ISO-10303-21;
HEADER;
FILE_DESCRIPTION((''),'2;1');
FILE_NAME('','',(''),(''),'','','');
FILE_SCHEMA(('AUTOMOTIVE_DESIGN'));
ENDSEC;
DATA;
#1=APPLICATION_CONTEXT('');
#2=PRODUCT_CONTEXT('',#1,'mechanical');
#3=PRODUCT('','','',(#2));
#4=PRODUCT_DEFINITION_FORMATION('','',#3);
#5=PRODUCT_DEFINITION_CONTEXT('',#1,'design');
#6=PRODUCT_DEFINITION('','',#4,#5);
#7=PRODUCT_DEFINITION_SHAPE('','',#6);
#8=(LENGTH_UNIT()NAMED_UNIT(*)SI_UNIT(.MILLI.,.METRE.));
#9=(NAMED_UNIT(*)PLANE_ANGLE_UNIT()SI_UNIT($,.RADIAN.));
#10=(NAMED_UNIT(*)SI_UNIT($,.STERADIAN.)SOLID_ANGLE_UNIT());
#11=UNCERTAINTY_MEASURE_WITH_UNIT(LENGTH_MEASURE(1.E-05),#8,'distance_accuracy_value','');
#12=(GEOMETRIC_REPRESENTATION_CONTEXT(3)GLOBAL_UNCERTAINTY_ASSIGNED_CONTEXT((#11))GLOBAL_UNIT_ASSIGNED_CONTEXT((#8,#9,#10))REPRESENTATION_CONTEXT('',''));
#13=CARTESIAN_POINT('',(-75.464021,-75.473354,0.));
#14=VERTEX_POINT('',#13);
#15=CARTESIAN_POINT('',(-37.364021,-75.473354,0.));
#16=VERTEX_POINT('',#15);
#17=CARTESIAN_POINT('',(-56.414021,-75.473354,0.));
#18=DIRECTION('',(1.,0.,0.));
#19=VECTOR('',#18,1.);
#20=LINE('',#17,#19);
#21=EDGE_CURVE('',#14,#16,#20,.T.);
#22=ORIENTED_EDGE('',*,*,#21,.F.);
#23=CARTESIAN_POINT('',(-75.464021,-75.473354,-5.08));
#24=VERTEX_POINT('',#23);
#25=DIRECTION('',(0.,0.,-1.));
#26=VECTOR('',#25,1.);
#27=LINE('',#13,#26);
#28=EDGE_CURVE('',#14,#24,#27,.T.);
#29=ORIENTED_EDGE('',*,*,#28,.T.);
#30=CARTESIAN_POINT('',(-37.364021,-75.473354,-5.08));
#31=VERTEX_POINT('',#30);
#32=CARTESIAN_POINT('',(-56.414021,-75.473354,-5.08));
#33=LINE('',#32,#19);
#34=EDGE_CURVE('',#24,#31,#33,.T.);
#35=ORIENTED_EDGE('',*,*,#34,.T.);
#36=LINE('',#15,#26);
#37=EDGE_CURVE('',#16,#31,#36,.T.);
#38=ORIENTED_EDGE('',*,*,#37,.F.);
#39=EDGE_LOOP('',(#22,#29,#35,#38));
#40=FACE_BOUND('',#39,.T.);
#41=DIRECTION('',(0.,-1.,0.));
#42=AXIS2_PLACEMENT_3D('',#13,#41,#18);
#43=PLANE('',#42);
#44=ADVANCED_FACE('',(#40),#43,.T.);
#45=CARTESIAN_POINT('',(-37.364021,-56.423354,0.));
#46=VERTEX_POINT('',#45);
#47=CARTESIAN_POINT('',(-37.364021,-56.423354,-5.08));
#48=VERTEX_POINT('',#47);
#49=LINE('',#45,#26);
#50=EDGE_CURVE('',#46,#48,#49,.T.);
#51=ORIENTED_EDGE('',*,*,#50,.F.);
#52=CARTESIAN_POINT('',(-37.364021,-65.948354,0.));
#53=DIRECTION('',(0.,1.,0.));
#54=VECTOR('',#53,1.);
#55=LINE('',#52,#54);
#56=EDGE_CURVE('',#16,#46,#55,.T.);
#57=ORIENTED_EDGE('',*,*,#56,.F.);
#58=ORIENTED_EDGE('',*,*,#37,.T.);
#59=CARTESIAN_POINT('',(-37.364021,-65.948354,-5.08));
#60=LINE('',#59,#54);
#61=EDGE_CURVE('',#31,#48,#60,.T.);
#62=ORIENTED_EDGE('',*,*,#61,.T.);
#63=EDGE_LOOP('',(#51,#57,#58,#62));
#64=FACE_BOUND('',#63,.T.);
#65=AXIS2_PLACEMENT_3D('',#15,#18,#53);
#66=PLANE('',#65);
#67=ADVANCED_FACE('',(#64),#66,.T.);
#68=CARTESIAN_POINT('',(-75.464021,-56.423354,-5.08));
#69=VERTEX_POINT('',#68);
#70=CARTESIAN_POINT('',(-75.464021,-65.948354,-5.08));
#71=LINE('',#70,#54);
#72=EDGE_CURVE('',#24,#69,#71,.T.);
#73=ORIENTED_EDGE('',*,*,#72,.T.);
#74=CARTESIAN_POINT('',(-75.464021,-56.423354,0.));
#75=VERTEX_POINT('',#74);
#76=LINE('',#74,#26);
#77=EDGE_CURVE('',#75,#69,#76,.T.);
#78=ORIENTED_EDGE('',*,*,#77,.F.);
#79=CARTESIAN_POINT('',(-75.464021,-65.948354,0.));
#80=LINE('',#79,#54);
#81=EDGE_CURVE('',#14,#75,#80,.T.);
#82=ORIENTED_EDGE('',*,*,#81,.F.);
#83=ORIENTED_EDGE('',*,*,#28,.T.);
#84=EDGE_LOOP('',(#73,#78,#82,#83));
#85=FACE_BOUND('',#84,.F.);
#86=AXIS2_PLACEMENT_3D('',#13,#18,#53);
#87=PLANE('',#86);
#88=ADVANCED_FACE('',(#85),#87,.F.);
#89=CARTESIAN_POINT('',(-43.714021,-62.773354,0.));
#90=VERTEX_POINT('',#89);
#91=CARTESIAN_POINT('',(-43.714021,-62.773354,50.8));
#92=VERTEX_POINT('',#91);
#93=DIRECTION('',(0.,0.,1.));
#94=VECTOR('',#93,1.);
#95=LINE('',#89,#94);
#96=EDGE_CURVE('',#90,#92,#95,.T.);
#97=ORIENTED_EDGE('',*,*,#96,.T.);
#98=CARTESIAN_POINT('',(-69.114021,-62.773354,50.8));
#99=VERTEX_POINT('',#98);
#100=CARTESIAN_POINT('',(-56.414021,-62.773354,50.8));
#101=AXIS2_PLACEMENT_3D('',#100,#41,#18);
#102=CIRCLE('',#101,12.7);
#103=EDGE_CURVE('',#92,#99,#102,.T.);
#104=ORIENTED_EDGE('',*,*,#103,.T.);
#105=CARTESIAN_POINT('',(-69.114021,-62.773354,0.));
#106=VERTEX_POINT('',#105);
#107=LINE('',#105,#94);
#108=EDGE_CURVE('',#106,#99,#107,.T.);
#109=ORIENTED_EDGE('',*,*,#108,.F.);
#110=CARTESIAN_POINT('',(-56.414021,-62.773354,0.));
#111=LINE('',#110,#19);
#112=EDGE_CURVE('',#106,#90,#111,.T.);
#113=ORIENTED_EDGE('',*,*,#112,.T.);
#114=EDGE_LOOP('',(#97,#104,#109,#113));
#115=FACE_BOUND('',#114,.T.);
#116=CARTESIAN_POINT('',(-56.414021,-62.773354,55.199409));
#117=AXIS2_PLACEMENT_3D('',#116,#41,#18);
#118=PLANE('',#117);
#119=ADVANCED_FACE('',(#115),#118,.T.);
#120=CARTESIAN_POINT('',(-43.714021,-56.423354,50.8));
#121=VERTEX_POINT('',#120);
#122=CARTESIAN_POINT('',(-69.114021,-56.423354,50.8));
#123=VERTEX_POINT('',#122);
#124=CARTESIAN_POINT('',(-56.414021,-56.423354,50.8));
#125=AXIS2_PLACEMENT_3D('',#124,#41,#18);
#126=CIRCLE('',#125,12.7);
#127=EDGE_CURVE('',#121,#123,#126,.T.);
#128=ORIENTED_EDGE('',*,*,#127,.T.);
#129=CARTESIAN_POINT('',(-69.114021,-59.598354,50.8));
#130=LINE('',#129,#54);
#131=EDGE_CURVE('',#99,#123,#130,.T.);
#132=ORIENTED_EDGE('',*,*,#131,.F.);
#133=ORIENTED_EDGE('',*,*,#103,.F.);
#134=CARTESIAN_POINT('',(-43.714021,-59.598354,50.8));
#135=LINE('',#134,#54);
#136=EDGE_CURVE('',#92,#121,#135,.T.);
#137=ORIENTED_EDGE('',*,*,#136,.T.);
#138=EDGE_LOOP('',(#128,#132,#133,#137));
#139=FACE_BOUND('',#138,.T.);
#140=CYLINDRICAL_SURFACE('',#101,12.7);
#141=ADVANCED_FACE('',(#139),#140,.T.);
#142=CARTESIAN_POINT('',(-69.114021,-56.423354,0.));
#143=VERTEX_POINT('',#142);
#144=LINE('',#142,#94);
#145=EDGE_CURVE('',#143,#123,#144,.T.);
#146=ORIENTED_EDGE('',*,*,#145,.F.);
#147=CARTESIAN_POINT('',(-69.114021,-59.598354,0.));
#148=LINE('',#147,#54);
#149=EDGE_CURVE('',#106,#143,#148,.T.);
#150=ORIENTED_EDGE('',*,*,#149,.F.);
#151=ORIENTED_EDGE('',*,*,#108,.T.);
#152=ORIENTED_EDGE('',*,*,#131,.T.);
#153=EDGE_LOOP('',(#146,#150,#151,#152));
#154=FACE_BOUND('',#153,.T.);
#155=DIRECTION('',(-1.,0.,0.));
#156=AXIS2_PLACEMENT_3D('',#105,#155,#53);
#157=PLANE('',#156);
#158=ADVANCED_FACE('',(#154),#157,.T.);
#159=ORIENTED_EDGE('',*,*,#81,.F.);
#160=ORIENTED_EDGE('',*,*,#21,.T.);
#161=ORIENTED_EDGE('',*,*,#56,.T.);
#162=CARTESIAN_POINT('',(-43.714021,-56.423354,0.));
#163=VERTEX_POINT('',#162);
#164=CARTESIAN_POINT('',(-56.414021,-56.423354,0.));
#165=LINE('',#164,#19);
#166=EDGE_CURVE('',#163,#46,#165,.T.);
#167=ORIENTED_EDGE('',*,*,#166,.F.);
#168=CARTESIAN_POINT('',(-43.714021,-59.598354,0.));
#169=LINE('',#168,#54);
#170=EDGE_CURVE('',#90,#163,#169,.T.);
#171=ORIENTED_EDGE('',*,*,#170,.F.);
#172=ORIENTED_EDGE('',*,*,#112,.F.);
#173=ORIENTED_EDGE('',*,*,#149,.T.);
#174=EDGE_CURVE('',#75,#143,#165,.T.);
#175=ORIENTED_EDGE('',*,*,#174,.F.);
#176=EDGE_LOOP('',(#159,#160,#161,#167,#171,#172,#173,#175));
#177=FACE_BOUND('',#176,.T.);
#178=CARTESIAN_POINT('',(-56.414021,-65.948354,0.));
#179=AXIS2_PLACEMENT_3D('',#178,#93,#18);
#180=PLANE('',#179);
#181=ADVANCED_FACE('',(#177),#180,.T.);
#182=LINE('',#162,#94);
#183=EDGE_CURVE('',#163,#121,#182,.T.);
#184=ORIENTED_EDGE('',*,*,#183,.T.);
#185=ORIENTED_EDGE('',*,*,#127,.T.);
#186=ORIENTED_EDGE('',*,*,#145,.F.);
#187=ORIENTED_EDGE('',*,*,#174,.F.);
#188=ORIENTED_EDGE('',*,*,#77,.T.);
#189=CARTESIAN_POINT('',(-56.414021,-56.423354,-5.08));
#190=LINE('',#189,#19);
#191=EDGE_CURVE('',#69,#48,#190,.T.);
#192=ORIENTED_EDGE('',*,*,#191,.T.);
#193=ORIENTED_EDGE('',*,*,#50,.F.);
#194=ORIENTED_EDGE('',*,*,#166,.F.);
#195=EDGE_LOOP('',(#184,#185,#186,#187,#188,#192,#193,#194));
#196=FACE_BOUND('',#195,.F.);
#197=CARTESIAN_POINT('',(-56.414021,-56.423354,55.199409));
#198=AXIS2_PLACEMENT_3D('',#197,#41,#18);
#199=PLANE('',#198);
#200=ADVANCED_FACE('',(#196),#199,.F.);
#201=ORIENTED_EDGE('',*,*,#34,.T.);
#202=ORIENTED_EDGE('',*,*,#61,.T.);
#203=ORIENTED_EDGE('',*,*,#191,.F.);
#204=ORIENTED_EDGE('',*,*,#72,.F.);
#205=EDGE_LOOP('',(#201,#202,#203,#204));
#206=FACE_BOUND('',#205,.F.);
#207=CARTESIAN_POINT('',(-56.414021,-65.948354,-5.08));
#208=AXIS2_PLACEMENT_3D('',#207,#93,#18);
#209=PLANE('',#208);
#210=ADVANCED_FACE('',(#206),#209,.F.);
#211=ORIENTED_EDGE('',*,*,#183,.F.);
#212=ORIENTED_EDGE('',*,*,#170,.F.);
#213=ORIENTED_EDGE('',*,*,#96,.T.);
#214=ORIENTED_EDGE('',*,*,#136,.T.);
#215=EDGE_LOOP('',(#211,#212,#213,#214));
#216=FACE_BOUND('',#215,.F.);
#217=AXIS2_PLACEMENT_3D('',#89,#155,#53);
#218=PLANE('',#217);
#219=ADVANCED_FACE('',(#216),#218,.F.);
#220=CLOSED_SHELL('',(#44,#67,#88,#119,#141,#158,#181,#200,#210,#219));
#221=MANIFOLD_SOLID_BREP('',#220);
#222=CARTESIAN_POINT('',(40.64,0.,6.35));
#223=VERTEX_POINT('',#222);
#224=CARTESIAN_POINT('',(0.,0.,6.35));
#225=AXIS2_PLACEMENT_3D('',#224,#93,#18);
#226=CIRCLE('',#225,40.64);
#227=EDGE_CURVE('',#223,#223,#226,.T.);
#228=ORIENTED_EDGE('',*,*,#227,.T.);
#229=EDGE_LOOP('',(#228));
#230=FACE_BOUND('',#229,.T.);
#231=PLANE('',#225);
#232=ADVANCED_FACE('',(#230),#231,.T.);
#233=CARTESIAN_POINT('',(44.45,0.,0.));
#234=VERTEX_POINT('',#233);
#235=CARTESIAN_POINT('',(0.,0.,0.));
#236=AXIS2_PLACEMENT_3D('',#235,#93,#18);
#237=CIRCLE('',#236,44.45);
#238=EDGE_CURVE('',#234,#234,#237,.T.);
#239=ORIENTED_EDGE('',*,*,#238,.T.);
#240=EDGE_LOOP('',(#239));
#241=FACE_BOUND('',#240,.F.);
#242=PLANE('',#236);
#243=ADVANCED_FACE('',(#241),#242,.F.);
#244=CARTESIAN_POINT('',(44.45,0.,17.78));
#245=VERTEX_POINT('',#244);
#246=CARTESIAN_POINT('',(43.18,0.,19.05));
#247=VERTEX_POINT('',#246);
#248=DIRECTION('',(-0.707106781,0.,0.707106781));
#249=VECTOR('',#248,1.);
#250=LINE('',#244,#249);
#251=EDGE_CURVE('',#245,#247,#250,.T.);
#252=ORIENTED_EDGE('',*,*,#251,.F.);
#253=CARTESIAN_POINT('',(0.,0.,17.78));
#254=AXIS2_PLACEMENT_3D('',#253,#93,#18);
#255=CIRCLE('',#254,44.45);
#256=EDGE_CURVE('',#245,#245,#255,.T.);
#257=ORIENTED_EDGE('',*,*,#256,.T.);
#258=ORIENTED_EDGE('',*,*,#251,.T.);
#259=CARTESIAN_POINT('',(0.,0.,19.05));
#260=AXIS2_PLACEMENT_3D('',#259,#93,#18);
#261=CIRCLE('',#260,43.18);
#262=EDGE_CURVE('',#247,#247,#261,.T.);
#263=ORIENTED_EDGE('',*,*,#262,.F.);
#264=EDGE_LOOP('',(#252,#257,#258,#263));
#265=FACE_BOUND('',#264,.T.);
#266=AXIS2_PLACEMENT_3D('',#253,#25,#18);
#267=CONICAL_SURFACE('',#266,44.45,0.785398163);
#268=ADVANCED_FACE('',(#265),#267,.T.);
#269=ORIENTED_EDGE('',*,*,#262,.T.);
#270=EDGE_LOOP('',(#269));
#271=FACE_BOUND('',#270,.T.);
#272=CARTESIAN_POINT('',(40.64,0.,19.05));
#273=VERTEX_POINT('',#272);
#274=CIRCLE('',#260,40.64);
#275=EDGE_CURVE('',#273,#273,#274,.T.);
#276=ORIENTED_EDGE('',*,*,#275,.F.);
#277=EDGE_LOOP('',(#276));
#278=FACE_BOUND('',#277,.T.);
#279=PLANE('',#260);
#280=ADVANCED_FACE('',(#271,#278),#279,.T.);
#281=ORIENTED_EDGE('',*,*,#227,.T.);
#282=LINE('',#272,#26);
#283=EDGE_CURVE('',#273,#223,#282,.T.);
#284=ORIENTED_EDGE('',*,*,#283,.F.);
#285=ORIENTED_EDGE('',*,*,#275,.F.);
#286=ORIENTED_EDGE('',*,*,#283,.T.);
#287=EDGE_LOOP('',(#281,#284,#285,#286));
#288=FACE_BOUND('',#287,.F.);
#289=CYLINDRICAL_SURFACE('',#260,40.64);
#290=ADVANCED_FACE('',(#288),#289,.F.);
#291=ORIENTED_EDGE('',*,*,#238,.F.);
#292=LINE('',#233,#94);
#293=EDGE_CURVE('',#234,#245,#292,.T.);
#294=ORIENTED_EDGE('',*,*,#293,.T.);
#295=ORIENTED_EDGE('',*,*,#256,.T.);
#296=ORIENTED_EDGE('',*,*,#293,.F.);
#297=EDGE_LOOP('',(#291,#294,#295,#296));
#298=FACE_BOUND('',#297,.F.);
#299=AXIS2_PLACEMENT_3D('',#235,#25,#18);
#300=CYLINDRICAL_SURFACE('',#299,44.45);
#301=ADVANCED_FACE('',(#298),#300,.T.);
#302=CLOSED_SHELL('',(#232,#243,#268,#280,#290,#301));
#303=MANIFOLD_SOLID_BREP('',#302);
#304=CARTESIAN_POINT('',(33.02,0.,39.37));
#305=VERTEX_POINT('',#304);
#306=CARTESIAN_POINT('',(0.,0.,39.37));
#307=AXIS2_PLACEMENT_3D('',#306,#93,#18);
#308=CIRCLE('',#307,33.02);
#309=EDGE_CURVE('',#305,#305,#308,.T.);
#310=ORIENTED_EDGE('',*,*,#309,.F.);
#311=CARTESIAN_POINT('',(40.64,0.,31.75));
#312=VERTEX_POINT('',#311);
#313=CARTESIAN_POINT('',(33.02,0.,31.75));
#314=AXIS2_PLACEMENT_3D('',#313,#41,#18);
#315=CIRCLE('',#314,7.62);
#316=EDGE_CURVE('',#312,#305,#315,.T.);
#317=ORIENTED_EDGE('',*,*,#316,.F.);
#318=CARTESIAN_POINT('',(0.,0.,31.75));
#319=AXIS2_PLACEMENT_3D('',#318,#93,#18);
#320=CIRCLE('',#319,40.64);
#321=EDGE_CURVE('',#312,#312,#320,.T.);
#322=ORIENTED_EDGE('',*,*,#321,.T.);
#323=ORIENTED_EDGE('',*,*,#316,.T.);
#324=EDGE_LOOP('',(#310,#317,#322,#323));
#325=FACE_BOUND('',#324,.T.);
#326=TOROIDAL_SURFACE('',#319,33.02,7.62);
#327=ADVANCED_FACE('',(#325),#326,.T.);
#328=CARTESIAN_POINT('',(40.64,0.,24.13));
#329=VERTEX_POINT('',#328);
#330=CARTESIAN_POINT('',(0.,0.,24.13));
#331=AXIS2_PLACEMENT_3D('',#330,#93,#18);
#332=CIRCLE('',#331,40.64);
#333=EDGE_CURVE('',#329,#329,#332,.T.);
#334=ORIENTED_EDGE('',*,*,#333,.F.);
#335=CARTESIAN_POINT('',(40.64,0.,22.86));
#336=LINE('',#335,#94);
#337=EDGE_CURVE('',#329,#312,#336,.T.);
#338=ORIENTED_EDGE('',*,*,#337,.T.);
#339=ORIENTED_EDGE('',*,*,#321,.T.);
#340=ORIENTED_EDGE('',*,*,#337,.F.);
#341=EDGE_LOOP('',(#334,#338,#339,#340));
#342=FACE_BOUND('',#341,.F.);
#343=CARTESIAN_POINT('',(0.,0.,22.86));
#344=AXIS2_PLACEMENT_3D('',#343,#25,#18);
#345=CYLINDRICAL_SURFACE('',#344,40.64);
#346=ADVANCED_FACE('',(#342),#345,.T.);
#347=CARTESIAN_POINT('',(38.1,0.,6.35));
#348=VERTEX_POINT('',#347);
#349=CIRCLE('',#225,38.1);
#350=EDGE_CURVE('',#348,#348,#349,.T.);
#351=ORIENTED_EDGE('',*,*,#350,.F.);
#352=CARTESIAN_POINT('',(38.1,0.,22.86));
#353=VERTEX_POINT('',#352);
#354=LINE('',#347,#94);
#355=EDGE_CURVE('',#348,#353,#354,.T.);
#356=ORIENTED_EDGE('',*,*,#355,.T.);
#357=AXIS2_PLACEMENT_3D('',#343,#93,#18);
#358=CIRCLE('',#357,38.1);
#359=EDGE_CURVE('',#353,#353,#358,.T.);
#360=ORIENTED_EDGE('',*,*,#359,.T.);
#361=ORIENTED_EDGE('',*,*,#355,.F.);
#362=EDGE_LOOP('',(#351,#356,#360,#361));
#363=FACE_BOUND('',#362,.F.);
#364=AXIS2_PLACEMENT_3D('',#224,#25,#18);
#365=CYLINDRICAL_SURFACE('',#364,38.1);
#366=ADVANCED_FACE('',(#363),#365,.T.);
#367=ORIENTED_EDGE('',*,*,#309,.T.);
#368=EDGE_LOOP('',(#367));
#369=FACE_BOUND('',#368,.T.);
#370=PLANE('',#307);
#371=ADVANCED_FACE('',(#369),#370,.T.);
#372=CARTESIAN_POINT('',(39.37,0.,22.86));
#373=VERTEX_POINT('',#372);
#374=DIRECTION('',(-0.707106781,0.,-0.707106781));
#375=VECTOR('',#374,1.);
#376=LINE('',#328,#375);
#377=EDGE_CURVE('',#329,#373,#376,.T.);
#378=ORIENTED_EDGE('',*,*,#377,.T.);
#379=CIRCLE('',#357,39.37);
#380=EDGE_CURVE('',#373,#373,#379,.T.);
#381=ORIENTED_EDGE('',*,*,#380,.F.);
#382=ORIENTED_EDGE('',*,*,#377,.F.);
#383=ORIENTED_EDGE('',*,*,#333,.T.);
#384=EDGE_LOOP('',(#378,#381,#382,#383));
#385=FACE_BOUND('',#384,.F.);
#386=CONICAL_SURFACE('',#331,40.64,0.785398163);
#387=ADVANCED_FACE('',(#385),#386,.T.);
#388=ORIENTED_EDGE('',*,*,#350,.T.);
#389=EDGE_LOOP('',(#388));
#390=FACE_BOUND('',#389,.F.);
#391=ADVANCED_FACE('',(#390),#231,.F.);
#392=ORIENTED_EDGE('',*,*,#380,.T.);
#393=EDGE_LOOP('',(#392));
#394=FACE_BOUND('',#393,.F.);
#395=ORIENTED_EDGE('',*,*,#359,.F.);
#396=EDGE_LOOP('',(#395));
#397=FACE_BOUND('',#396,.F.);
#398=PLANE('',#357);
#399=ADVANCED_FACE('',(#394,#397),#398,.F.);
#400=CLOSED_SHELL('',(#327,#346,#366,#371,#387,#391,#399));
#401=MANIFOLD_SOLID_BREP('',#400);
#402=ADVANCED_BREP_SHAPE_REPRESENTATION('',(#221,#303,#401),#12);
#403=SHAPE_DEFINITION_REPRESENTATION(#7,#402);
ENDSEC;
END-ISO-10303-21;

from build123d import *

# Parameters (mm, degrees)
F0_R      = 44.45
F1_DEPTH  = 19.05
F2_R      = 40.64
F3_DEPTH  = 12.7
F4_R      = 38.1
F5_DEPTH  = 16.51
F6_R      = 40.64
F7_DEPTH  = 16.51
F8_R      = 7.62
F9_SIZE   = 1.27
F9_2_SIZE = 1.27
F10_W     = 38.1
F10_H     = 19.05
F11_DEPTH = 5.08
F12_W     = 25.4
F12_H     = 6.35
F13_DEPTH = 50.8
F15_DEPTH = 6.35


with BuildPart() as f1:
    # F0 (on Top) → F1 (new body)
    with BuildSketch(Plane.XY):
        Circle(F0_R)
    extrude(amount=F1_DEPTH)

    # F2 (on face) → F3 (cut)
    with BuildSketch(Plane.XY.offset(19.05)):
        Circle(F2_R)
    extrude(amount=-F3_DEPTH, mode=Mode.SUBTRACT)

    # F9
    f9_edges = [f1.edges().sort_by_distance(p)[0] for p in [
        (-44.45, 0, 19.05),
    ]]
    chamfer(f9_edges, length=F9_SIZE)


with BuildPart() as f5:
    # F4 (on face) → F5 (new body)
    with BuildSketch(Plane.XY.offset(6.35)):
        Circle(F4_R)
    extrude(amount=F5_DEPTH)

    # F6 (on face) → F7 (join)
    with BuildSketch(Plane.XY.offset(22.86)):
        Circle(F6_R)
    extrude(amount=F7_DEPTH)

    # F8
    f8_edges = [f5.edges().sort_by_distance(p)[0] for p in [
        (-40.64, 0, 39.37),
    ]]
    fillet(f8_edges, radius=F8_R)

    # F9#2
    f9_2_edges = [f5.edges().sort_by_distance(p)[0] for p in [
        (-40.64, 0, 22.86),
    ]]
    chamfer(f9_2_edges, length=F9_2_SIZE)


with BuildPart() as f11:
    # F10 (on Top) → F11 (new body)
    with BuildSketch(Plane.XY):
        with Locations((-56.4140207897, -65.9483543515)):
            Rectangle(F10_W, F10_H)
    extrude(amount=-F11_DEPTH)

    # F12 (on face) → F13 (join)
    with BuildSketch(Plane.XY):
        with Locations((-56.4140207897, -59.5983543515)):
            Rectangle(F12_W, F12_H)
    extrude(amount=F13_DEPTH)

    # F14 (on face) → F15 (join)
    with BuildSketch(Plane.XZ.offset(62.7733543515)):
        with BuildLine():
            Line((-69.1140207897, 50.8), (-43.7140207897, 50.8))
            ThreePointArc((-43.7140207897, 50.8), (-56.4140207897, 63.5), (-69.1140207897, 50.8))
        make_face()
    extrude(amount=-F15_DEPTH)


solid = Compound([f1.part, f5.part, f11.part])
